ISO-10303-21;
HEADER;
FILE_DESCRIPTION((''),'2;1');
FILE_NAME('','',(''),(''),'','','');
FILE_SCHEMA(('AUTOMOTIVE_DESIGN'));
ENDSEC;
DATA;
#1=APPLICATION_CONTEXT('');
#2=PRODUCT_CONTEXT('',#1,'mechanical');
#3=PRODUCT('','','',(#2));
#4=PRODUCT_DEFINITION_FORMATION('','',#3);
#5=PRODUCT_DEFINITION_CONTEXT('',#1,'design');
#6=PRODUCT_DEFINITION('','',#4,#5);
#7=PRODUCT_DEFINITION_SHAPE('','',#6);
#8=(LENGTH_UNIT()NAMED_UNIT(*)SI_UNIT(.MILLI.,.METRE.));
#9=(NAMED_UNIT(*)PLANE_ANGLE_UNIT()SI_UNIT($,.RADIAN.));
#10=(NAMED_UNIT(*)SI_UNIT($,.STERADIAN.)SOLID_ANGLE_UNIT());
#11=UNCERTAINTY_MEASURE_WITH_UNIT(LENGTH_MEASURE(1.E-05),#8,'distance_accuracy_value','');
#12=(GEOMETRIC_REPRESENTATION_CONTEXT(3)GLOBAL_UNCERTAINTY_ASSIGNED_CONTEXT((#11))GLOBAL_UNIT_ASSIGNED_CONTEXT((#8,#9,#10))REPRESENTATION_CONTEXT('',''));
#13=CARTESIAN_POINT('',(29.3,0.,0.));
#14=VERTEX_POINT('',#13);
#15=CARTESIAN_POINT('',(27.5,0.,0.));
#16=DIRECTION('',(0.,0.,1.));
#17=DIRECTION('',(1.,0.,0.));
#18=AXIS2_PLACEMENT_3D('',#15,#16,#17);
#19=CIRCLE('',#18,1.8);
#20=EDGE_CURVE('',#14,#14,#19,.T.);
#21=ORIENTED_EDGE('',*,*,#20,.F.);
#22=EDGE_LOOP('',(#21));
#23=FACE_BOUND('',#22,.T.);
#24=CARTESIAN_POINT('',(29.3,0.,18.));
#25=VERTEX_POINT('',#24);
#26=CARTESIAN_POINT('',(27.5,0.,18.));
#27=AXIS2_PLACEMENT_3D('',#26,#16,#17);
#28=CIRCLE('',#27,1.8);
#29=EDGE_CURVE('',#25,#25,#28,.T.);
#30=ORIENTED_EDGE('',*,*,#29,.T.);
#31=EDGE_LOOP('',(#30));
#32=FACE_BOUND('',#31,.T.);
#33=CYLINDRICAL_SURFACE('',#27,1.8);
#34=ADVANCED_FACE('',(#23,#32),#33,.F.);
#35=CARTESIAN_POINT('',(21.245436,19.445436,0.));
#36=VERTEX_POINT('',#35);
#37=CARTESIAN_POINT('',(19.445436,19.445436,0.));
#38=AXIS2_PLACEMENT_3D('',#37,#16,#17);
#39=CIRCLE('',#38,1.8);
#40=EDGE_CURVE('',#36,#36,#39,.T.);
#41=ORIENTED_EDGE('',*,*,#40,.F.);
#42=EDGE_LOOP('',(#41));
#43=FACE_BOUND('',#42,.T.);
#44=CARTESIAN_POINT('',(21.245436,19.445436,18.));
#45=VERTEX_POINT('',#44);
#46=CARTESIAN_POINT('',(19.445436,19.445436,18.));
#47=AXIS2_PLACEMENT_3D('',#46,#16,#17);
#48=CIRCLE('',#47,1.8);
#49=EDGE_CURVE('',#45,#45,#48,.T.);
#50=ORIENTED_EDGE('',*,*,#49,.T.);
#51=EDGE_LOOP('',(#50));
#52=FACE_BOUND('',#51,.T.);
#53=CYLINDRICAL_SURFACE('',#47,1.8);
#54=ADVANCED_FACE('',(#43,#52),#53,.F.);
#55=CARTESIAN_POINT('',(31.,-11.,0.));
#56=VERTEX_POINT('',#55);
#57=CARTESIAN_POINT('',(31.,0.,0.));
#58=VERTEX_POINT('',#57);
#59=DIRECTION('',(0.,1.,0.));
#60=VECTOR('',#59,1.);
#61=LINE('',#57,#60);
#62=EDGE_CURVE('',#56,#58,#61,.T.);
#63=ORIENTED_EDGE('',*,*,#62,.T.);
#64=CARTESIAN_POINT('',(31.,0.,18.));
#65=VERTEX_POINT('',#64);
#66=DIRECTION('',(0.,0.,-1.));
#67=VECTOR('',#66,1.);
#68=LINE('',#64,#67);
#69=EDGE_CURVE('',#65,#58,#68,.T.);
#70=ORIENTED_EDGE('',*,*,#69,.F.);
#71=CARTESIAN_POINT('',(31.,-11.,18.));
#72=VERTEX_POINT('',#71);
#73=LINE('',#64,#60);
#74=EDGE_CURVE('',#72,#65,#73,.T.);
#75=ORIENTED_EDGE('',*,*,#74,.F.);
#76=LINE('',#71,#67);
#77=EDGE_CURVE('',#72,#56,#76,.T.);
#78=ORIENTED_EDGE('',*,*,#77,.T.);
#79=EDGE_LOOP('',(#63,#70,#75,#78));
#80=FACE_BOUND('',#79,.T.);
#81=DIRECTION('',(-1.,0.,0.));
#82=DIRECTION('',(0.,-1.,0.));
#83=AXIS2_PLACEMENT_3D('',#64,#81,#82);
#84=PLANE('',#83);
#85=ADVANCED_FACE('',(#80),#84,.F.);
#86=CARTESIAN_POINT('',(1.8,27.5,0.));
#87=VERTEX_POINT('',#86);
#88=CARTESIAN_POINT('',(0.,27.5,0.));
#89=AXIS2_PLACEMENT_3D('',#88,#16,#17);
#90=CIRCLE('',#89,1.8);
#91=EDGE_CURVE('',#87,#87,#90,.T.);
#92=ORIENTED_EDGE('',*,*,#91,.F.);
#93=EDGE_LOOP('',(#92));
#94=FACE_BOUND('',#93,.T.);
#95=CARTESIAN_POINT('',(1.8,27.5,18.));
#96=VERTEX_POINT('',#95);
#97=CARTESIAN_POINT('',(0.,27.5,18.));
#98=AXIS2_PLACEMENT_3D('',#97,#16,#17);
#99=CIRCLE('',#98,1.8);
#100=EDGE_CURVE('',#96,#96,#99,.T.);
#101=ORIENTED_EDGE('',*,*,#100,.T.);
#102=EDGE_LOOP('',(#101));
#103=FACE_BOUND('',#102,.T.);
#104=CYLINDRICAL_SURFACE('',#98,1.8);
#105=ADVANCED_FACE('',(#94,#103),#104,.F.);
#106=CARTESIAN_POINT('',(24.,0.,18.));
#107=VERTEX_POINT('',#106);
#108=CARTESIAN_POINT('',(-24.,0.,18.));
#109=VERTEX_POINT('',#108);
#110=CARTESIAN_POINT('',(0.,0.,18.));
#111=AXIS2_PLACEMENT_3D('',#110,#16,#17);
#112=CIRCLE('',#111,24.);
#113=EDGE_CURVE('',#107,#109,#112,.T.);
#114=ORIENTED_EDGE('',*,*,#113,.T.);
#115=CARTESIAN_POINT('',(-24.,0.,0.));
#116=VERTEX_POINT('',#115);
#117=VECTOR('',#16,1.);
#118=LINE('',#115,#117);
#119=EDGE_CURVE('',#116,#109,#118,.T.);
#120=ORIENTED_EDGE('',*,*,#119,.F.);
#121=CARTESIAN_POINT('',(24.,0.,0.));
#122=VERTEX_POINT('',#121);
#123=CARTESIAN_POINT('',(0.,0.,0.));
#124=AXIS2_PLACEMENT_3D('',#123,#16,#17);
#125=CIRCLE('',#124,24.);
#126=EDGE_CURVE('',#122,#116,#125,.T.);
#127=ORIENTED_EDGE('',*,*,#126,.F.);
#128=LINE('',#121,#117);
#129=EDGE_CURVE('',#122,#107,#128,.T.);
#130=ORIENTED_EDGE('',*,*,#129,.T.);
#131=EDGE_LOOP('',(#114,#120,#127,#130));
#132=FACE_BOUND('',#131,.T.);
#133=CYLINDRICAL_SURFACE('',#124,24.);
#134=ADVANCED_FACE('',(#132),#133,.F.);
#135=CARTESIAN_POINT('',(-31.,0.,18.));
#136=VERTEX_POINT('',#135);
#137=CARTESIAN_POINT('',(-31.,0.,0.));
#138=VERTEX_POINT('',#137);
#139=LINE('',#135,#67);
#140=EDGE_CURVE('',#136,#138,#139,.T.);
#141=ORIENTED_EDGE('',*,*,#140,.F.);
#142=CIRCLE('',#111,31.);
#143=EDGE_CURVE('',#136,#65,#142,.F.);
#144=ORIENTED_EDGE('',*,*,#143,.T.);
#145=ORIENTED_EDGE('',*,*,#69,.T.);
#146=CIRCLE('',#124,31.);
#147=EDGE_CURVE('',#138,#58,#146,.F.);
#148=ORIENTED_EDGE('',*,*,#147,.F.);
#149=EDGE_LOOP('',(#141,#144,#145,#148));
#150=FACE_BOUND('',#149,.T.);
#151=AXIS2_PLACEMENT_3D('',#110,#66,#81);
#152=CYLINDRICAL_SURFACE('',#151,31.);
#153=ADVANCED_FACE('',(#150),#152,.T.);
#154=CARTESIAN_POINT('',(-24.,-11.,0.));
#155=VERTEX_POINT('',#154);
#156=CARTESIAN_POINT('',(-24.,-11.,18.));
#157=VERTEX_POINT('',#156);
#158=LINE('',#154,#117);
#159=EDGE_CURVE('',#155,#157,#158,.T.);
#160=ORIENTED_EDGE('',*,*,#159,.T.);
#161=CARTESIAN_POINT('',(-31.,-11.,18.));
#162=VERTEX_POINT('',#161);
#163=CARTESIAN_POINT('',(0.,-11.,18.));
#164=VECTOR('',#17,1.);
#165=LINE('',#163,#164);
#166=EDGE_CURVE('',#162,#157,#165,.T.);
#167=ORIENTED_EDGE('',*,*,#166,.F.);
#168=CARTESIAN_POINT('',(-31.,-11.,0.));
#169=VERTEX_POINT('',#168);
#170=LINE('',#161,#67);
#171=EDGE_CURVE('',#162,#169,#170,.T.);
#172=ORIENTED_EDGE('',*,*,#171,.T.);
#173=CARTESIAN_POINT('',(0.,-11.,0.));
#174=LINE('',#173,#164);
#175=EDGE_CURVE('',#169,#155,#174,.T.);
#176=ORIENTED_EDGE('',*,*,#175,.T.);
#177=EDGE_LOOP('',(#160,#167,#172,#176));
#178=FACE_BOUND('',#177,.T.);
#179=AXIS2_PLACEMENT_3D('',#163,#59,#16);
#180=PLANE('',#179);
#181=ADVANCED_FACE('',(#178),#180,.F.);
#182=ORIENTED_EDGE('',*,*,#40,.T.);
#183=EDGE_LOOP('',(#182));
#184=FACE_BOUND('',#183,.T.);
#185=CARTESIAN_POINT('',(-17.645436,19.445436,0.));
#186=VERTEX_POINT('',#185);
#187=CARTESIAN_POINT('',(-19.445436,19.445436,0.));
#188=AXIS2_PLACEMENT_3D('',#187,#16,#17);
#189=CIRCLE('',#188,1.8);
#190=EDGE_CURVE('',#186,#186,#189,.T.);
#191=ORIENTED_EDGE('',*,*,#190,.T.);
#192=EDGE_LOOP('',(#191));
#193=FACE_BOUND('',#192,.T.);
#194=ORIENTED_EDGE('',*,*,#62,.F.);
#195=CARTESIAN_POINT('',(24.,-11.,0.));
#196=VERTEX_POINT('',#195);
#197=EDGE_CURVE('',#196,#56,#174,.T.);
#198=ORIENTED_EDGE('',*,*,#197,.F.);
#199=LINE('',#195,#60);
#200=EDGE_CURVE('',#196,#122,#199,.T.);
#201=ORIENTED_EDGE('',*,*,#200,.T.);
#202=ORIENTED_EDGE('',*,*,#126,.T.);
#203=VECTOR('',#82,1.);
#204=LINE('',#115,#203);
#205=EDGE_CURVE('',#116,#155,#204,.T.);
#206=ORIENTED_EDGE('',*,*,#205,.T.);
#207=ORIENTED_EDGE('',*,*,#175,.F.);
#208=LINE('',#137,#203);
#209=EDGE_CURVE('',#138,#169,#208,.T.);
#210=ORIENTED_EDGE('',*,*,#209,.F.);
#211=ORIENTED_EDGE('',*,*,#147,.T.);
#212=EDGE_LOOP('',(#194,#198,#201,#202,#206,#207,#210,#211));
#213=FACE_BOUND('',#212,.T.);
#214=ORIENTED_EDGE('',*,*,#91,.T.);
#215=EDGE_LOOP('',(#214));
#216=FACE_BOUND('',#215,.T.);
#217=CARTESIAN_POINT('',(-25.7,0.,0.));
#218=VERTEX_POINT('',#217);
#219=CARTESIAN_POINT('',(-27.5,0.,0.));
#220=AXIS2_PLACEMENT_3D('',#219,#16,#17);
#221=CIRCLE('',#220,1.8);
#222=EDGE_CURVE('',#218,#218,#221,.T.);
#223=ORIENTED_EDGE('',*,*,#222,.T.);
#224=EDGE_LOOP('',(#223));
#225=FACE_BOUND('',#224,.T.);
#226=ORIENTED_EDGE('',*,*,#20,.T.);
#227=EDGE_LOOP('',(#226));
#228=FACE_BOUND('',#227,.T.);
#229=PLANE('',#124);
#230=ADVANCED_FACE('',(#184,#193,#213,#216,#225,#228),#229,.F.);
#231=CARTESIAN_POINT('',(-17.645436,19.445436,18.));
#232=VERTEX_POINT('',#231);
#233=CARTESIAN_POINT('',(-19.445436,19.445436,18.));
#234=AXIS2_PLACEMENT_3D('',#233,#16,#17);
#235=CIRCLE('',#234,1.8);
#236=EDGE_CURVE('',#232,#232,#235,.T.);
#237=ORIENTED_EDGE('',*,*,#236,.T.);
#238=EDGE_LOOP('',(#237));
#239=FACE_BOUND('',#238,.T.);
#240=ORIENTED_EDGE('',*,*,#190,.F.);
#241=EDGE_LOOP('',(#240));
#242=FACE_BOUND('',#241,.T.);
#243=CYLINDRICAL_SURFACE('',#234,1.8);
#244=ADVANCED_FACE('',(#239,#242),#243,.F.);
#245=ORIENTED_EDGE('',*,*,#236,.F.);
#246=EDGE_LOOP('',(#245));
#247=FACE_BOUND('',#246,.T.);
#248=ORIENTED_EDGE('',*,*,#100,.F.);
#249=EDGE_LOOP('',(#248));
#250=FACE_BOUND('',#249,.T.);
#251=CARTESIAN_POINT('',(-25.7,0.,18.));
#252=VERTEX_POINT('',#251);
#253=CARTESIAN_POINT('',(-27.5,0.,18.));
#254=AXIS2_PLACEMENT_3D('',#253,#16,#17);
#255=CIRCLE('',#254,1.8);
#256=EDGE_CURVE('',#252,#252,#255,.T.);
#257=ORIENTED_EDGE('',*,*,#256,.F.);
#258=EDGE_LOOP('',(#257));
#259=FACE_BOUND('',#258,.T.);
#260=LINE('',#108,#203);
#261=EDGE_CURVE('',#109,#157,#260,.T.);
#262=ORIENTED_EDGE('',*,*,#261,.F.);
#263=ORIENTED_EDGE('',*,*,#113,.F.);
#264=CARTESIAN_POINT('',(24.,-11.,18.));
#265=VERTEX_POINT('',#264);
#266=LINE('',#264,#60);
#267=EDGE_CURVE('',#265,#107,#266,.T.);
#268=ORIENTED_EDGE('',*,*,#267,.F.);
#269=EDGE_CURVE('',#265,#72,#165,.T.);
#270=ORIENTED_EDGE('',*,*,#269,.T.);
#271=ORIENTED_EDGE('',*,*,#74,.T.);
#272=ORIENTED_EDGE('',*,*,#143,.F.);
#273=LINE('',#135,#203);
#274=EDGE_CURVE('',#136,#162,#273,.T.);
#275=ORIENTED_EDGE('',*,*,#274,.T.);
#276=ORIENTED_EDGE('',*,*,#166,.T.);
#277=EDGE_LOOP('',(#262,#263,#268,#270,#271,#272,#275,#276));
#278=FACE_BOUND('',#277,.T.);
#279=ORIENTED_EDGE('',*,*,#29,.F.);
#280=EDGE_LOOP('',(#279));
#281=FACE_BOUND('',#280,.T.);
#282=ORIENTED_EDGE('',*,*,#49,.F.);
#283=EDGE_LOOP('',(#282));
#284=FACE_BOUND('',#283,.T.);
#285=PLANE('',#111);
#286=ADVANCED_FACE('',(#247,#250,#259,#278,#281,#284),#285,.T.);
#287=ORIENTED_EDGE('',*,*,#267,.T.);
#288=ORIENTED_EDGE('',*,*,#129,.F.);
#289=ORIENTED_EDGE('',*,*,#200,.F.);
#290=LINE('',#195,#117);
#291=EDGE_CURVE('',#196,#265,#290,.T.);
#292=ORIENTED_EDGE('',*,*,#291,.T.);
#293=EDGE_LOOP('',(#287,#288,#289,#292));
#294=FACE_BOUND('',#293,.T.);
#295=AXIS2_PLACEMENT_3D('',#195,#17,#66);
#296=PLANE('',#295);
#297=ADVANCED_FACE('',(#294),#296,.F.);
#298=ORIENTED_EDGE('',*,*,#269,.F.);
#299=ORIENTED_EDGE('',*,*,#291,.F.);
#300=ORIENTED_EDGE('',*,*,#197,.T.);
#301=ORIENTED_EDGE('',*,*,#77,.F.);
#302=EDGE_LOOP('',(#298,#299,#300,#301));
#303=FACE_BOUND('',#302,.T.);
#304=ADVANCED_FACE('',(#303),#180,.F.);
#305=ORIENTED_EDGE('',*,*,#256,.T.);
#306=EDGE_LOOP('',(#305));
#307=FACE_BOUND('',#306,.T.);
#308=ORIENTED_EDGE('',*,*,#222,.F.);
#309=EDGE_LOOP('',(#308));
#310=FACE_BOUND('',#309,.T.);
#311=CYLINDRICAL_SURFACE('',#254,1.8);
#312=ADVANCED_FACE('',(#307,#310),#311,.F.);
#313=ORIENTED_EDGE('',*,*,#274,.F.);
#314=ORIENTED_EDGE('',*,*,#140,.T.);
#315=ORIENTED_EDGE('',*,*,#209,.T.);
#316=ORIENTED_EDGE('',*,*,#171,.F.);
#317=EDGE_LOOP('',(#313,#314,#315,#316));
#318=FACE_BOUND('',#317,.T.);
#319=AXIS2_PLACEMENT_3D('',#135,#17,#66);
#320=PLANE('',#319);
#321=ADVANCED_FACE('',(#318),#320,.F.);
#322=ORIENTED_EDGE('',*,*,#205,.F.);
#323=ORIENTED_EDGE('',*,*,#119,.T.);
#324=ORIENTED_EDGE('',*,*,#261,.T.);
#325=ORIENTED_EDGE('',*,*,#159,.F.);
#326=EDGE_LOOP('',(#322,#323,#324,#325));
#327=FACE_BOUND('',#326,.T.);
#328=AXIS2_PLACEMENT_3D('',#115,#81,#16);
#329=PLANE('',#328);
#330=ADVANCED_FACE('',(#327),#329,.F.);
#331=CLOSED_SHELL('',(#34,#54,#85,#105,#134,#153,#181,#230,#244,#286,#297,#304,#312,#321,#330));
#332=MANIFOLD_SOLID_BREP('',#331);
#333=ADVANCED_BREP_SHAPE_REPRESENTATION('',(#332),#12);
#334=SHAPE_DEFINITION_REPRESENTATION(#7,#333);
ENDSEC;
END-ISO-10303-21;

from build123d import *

# Parameters (mm, degrees)
EXTRUDE_1_DEPTH          = 18
CUT_EXTRUDE_1_DEPTH      = 19
HOLE_WIZARD_M3_1_D       = 3.6
PATTERN_CIRCULAR_1_COUNT = 8


with BuildPart() as part:
    # ｽｹｯﾁ1 → ﾎﾞｽ - 押し出し1 (new body)
    with BuildSketch(Plane.XY):
        with BuildLine():
            ThreePointArc((-31, 0), (0, 31), (31, 0))
            Line((31, 0), (31, -11))
            Line((31, -11), (-31, -11))
            Line((-31, -11), (-31, 0))
        make_face()
    extrude(amount=EXTRUDE_1_DEPTH)

    # ｽｹｯﾁ2 → ｶｯﾄ - 押し出し1 (cut, through all)
    with BuildSketch(Plane.XY.offset(18)):
        with BuildLine():
            Line((-24, 0), (-24, -11))
            Line((-24, -11), (24, -11))
            Line((24, -11), (24, 0))
            ThreePointArc((24, 0), (0, 24), (-24, 0))
        make_face()
    extrude(amount=-CUT_EXTRUDE_1_DEPTH, mode=Mode.SUBTRACT)

    # M3 すきま穴1 (through all)
    with Locations(Plane.XY.offset(18)):
        with Locations((0, 27.5)):
            hole_wizard_m3_1 = Hole(HOLE_WIZARD_M3_1_D / 2)

    # 円形ﾊﾟﾀｰﾝ1: M3 すきま穴1 ×8 about axis, 3 skipped
    pattern_circular_1_axis = Axis((0, 0, 0), (0, 0, -1))
    add([hole_wizard_m3_1.rotate(pattern_circular_1_axis, i * 360 / PATTERN_CIRCULAR_1_COUNT) for i in range(1, PATTERN_CIRCULAR_1_COUNT) if i not in (3, 4, 5)], mode=Mode.SUBTRACT)


solid = part.part
